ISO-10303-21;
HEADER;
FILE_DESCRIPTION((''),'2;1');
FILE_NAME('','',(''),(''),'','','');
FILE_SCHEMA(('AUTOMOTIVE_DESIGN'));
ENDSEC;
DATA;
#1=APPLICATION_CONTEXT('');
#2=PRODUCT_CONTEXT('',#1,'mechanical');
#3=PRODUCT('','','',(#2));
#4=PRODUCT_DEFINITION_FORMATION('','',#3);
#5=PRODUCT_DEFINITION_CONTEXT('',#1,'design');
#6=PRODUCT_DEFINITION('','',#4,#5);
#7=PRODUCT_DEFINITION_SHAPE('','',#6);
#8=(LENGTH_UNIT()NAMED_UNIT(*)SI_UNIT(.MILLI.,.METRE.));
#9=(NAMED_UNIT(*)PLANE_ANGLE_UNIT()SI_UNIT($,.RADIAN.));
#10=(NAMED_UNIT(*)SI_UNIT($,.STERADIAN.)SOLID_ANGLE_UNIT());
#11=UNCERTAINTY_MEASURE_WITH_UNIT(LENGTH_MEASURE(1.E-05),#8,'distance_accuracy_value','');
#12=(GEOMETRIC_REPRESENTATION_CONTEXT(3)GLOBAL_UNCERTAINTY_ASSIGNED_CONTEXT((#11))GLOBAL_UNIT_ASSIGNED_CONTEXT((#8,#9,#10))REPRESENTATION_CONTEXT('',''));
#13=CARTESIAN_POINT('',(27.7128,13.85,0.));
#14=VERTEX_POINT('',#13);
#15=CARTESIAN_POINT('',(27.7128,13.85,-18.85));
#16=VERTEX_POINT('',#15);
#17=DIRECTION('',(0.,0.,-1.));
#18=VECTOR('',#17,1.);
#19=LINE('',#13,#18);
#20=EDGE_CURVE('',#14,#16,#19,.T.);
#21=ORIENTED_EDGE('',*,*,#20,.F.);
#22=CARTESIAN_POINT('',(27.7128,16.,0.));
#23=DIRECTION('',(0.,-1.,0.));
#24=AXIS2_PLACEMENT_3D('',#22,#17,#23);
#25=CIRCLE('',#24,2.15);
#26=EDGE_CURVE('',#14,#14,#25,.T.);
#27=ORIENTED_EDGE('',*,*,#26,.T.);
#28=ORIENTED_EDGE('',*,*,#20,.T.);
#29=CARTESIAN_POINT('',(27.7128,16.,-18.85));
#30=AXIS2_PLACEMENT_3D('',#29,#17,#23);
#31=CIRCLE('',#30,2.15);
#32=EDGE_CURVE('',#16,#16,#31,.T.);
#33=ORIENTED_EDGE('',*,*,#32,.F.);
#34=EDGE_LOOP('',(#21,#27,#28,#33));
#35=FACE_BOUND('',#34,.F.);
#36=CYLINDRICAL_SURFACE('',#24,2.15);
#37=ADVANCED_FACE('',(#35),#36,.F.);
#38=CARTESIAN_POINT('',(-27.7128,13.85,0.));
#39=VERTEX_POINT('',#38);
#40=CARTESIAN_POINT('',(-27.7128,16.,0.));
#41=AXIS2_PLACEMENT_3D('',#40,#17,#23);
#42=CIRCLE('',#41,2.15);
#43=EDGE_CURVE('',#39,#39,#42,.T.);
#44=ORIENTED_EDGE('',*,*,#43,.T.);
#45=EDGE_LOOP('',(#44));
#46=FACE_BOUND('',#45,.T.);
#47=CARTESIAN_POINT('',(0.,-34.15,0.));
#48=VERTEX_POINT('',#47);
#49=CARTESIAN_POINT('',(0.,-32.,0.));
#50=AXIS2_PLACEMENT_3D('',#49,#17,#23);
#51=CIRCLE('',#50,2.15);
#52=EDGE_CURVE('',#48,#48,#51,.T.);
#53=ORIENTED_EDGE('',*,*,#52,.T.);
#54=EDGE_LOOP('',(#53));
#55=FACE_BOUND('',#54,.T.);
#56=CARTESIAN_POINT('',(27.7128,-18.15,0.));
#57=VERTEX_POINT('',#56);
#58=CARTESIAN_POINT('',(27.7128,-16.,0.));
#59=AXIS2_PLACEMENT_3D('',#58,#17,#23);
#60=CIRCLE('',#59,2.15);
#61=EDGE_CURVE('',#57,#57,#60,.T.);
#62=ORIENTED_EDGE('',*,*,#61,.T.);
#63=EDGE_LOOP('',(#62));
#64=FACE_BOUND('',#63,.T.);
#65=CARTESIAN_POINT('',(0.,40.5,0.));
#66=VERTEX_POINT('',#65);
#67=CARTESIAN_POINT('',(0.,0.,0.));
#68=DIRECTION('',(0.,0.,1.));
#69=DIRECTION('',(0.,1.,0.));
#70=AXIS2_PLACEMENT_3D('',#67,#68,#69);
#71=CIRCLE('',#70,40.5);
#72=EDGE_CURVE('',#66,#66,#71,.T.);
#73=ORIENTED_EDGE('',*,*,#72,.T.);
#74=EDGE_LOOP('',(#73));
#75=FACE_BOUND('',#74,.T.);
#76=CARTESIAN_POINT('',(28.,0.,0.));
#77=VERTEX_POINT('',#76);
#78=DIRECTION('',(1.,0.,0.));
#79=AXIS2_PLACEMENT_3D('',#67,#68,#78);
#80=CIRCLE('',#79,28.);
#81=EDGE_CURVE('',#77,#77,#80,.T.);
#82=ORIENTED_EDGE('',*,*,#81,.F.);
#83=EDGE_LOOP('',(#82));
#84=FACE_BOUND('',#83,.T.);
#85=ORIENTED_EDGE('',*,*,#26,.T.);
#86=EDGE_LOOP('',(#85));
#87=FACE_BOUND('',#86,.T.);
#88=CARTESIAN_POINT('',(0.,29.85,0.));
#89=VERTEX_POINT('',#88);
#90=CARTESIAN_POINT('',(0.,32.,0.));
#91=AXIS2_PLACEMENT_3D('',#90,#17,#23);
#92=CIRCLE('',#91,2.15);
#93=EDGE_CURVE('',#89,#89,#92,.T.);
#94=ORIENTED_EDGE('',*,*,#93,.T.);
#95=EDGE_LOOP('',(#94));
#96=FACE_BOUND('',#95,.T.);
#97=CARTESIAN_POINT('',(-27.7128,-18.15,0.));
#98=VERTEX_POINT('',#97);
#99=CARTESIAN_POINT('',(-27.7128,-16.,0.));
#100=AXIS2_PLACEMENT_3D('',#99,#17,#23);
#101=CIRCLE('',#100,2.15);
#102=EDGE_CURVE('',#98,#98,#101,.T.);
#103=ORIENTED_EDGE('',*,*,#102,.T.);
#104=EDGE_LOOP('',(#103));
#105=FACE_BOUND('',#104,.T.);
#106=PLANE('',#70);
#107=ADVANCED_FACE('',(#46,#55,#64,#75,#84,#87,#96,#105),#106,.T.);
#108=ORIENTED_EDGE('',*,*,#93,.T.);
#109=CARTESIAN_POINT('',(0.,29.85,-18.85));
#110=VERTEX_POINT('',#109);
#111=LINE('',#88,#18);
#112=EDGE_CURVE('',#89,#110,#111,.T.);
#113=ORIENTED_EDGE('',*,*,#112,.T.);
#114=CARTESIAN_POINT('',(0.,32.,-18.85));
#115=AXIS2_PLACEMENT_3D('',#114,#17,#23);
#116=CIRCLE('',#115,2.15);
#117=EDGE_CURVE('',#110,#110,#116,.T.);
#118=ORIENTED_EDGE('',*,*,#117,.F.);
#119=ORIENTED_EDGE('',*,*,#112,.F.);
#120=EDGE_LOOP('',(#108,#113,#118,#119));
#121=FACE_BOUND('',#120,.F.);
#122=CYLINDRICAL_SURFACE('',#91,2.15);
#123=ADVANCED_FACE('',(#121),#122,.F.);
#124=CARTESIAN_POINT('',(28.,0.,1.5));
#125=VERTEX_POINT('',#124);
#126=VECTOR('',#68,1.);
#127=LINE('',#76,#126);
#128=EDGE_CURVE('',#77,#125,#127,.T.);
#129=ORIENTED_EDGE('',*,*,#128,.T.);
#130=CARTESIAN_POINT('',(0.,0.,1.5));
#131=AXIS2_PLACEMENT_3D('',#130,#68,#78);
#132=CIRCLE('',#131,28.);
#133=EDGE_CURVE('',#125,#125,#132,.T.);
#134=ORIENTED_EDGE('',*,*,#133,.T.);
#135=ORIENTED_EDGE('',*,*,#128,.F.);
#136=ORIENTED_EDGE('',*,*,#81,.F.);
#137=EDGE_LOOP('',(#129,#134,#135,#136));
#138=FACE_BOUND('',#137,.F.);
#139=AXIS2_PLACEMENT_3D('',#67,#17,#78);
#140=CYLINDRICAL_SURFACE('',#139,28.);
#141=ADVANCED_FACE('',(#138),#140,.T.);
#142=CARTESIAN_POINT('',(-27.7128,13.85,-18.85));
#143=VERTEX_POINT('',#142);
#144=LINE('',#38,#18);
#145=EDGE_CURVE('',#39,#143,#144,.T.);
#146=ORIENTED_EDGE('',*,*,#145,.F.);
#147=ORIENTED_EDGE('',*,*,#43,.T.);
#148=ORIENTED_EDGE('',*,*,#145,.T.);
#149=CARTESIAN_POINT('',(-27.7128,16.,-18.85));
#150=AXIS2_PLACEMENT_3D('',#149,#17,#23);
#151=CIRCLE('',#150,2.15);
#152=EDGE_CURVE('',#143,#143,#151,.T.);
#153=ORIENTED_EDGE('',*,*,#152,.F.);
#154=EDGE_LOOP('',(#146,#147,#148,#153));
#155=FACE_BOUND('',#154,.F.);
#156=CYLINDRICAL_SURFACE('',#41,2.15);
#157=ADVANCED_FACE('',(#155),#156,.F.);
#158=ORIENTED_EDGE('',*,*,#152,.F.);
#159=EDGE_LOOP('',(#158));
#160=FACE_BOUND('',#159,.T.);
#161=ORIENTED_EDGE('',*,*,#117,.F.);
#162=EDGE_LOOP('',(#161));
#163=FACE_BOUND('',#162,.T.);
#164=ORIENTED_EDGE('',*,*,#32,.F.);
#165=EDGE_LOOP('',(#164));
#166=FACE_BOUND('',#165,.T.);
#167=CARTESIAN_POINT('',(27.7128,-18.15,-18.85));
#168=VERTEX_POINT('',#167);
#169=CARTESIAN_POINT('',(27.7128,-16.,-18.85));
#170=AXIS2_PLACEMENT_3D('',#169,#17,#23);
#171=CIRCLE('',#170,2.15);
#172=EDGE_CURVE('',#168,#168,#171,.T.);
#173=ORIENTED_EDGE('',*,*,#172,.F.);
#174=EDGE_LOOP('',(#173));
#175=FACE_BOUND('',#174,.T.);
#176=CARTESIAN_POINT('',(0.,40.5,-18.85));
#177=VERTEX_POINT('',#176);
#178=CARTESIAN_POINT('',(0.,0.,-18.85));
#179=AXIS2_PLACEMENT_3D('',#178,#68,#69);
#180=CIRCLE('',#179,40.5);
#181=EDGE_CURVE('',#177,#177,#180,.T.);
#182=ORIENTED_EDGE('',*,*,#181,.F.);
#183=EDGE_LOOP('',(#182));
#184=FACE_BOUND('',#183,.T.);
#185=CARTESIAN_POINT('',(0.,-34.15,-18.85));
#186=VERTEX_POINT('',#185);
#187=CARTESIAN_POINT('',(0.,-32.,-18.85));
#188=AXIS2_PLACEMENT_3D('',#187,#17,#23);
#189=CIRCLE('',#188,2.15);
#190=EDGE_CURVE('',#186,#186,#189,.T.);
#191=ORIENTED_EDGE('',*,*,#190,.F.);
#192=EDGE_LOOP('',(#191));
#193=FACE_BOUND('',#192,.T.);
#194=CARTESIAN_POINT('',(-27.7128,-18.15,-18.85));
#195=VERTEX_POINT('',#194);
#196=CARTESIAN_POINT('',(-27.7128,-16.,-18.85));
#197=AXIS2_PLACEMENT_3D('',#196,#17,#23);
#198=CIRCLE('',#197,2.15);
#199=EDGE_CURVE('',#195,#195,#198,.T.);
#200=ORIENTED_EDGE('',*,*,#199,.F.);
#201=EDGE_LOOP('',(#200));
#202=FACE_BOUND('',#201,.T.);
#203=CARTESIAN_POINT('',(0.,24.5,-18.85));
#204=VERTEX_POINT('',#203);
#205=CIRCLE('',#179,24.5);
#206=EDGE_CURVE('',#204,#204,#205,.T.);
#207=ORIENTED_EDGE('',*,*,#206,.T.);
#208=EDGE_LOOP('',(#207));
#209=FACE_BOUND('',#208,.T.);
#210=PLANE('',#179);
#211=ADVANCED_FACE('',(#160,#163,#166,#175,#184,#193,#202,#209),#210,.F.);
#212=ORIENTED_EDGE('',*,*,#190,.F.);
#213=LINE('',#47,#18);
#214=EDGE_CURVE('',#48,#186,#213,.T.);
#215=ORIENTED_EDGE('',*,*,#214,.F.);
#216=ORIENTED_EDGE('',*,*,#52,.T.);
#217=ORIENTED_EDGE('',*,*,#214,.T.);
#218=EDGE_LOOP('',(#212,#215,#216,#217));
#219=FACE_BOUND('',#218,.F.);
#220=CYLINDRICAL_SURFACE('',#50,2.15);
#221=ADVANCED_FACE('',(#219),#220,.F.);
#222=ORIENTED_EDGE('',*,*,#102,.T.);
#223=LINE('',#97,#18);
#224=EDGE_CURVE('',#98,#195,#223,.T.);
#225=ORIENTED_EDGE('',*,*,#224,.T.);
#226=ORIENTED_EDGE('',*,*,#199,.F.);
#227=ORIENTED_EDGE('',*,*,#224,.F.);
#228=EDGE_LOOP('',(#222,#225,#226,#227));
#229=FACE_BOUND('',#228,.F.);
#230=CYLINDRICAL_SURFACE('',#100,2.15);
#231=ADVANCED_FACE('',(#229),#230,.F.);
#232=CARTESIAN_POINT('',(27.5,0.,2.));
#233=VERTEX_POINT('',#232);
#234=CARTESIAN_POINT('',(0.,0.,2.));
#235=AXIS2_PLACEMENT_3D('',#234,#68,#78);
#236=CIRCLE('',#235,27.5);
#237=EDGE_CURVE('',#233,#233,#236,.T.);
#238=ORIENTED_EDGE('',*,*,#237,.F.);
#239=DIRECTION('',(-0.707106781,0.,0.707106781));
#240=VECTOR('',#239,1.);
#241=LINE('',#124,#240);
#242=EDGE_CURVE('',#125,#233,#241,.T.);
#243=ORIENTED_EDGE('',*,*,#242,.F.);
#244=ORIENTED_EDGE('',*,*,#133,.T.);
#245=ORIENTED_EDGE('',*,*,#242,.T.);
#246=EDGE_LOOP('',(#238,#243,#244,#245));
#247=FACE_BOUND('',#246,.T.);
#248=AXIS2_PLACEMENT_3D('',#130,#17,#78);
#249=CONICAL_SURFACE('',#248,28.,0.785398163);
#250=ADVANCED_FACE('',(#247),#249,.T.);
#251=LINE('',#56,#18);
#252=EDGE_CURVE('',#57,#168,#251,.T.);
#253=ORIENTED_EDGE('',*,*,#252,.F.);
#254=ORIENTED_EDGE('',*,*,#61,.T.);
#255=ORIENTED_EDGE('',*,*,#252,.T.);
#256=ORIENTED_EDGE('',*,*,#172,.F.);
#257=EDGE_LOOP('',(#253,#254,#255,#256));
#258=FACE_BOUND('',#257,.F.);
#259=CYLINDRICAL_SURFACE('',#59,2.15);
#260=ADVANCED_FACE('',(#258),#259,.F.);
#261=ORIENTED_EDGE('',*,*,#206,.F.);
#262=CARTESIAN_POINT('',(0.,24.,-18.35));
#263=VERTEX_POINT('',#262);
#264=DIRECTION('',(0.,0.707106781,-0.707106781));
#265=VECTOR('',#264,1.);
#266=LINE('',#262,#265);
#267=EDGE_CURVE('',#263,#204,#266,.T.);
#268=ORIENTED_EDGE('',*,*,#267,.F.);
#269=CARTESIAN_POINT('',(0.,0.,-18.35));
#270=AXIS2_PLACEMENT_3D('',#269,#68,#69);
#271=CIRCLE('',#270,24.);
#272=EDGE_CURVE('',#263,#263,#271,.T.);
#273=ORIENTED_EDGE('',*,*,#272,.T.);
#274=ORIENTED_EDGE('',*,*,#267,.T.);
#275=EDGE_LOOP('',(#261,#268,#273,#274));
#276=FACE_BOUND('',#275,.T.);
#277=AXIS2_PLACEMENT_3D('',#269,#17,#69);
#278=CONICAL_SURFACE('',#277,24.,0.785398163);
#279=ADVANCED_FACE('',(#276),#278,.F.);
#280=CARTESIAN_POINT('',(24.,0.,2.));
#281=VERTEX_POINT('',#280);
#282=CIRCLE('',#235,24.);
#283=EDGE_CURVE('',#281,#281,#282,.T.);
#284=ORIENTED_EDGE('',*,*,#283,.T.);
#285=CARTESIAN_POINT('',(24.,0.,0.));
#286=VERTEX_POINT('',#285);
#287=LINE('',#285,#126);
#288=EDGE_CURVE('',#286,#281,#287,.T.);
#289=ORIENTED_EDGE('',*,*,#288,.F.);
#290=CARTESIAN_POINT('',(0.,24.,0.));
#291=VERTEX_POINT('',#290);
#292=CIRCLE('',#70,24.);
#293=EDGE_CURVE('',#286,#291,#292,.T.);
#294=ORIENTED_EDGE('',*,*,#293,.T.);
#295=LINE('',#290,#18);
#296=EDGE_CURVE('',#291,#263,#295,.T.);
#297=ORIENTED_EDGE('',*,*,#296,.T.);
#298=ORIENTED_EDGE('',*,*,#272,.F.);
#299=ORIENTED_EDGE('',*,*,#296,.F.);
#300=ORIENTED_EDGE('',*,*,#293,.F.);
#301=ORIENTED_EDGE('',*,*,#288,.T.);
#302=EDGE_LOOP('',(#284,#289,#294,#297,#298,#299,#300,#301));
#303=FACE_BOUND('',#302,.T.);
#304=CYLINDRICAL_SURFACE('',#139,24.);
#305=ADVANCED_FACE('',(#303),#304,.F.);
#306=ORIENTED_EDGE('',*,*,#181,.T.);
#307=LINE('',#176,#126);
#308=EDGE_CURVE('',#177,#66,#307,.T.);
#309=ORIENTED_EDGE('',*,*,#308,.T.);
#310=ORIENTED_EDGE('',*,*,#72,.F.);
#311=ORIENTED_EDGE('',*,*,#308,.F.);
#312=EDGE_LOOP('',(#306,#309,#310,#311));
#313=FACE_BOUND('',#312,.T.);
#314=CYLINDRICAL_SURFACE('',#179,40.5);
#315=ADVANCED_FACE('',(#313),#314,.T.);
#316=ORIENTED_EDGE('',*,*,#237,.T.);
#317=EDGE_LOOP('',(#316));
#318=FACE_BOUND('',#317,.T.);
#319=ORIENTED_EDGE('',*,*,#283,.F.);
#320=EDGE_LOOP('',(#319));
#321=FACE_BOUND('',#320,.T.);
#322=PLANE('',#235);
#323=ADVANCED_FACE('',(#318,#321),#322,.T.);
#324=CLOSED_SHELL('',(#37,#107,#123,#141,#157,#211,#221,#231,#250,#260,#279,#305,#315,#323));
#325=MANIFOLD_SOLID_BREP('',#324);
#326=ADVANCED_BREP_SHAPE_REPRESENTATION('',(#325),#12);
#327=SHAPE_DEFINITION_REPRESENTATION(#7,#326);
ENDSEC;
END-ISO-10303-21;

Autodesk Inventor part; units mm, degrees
ref_plane "YZ Plane" through (0, 0, 0) normal (1, 0, 0) x (0, 1, 0)
ref_plane "XZ Plane" through (0, 0, 0) normal (0, 1, 0) x (-1, 0, 0)
ref_plane "XY Plane" through (0, 0, 0) normal (0, 0, 1) x (1, 0, 0)
sketch "スケッチ1" plane through (0, 0, 0) normal (1, 0, 0) x (0, 1, 0)
  line L0 (40.5, 0) -> (24, 0)
  line L1 (24, 0) -> (24, -18.85)
  line L2 (24, -18.85) -> (40.5, -18.85)
  line L3 (40.5, -18.85) -> (40.5, 0)
  line L4 (0, -22.62) -> (0, 3.77) projected
  point P0 (0, 0)
  dimension "d0" = 24
  dimension "d2" = 40.5
  dimension "d3" = 18.85
revolve "回転1" add sketch "スケッチ1" angle 360 about axis through (0, 0, -10) along (0, 0, 1)
sketch "スケッチ2" plane through (0, 0, 0) normal (0, 0, 1) x (1, 0, 0)
  circle A0 centre (0, 0) radius 32
  point P0 (0, 32)
  point P1 (-27.7128, 16)
  point P2 (-27.7128, -16)
  point P3 (0, -32)
  point P4 (27.7128, -16)
  point P5 (27.7128, 16)
  dimension "d5" = 64
  dimension "d8" = 360
hole "穴1" at (0, 32, 0) at (-27.7128, 16, 0) at (-27.7128, -16, 0) at (0, -32, 0) at (27.7128, -16, 0) at (27.7128, 16, 0) direction (0, 0, -1) diameter 4.3 end through all clearance for "Socket Head Cap Screw" size "M4" standard "Ansi Metric M Profile"
sketch "スケッチ5" plane through (0, 0, 0) normal (0, 0, 1) x (1, 0, 0)
  circle A0 centre (0, 0) radius 24 projected
  circle A1 centre (0, 0) radius 28
  dimension "d28" = 4
extrude "押し出し3" add sketch "スケッチ5" along normal blind 2
chamfer "面取り1" distance 0.5 angle 45 1 edges at (-28, 0, 2)
chamfer "面取り2" distance 0.5 angle 45 1 edges at (0, -24, -18.85)
properties part number "unit-base7" material "ABS プラスチック"
